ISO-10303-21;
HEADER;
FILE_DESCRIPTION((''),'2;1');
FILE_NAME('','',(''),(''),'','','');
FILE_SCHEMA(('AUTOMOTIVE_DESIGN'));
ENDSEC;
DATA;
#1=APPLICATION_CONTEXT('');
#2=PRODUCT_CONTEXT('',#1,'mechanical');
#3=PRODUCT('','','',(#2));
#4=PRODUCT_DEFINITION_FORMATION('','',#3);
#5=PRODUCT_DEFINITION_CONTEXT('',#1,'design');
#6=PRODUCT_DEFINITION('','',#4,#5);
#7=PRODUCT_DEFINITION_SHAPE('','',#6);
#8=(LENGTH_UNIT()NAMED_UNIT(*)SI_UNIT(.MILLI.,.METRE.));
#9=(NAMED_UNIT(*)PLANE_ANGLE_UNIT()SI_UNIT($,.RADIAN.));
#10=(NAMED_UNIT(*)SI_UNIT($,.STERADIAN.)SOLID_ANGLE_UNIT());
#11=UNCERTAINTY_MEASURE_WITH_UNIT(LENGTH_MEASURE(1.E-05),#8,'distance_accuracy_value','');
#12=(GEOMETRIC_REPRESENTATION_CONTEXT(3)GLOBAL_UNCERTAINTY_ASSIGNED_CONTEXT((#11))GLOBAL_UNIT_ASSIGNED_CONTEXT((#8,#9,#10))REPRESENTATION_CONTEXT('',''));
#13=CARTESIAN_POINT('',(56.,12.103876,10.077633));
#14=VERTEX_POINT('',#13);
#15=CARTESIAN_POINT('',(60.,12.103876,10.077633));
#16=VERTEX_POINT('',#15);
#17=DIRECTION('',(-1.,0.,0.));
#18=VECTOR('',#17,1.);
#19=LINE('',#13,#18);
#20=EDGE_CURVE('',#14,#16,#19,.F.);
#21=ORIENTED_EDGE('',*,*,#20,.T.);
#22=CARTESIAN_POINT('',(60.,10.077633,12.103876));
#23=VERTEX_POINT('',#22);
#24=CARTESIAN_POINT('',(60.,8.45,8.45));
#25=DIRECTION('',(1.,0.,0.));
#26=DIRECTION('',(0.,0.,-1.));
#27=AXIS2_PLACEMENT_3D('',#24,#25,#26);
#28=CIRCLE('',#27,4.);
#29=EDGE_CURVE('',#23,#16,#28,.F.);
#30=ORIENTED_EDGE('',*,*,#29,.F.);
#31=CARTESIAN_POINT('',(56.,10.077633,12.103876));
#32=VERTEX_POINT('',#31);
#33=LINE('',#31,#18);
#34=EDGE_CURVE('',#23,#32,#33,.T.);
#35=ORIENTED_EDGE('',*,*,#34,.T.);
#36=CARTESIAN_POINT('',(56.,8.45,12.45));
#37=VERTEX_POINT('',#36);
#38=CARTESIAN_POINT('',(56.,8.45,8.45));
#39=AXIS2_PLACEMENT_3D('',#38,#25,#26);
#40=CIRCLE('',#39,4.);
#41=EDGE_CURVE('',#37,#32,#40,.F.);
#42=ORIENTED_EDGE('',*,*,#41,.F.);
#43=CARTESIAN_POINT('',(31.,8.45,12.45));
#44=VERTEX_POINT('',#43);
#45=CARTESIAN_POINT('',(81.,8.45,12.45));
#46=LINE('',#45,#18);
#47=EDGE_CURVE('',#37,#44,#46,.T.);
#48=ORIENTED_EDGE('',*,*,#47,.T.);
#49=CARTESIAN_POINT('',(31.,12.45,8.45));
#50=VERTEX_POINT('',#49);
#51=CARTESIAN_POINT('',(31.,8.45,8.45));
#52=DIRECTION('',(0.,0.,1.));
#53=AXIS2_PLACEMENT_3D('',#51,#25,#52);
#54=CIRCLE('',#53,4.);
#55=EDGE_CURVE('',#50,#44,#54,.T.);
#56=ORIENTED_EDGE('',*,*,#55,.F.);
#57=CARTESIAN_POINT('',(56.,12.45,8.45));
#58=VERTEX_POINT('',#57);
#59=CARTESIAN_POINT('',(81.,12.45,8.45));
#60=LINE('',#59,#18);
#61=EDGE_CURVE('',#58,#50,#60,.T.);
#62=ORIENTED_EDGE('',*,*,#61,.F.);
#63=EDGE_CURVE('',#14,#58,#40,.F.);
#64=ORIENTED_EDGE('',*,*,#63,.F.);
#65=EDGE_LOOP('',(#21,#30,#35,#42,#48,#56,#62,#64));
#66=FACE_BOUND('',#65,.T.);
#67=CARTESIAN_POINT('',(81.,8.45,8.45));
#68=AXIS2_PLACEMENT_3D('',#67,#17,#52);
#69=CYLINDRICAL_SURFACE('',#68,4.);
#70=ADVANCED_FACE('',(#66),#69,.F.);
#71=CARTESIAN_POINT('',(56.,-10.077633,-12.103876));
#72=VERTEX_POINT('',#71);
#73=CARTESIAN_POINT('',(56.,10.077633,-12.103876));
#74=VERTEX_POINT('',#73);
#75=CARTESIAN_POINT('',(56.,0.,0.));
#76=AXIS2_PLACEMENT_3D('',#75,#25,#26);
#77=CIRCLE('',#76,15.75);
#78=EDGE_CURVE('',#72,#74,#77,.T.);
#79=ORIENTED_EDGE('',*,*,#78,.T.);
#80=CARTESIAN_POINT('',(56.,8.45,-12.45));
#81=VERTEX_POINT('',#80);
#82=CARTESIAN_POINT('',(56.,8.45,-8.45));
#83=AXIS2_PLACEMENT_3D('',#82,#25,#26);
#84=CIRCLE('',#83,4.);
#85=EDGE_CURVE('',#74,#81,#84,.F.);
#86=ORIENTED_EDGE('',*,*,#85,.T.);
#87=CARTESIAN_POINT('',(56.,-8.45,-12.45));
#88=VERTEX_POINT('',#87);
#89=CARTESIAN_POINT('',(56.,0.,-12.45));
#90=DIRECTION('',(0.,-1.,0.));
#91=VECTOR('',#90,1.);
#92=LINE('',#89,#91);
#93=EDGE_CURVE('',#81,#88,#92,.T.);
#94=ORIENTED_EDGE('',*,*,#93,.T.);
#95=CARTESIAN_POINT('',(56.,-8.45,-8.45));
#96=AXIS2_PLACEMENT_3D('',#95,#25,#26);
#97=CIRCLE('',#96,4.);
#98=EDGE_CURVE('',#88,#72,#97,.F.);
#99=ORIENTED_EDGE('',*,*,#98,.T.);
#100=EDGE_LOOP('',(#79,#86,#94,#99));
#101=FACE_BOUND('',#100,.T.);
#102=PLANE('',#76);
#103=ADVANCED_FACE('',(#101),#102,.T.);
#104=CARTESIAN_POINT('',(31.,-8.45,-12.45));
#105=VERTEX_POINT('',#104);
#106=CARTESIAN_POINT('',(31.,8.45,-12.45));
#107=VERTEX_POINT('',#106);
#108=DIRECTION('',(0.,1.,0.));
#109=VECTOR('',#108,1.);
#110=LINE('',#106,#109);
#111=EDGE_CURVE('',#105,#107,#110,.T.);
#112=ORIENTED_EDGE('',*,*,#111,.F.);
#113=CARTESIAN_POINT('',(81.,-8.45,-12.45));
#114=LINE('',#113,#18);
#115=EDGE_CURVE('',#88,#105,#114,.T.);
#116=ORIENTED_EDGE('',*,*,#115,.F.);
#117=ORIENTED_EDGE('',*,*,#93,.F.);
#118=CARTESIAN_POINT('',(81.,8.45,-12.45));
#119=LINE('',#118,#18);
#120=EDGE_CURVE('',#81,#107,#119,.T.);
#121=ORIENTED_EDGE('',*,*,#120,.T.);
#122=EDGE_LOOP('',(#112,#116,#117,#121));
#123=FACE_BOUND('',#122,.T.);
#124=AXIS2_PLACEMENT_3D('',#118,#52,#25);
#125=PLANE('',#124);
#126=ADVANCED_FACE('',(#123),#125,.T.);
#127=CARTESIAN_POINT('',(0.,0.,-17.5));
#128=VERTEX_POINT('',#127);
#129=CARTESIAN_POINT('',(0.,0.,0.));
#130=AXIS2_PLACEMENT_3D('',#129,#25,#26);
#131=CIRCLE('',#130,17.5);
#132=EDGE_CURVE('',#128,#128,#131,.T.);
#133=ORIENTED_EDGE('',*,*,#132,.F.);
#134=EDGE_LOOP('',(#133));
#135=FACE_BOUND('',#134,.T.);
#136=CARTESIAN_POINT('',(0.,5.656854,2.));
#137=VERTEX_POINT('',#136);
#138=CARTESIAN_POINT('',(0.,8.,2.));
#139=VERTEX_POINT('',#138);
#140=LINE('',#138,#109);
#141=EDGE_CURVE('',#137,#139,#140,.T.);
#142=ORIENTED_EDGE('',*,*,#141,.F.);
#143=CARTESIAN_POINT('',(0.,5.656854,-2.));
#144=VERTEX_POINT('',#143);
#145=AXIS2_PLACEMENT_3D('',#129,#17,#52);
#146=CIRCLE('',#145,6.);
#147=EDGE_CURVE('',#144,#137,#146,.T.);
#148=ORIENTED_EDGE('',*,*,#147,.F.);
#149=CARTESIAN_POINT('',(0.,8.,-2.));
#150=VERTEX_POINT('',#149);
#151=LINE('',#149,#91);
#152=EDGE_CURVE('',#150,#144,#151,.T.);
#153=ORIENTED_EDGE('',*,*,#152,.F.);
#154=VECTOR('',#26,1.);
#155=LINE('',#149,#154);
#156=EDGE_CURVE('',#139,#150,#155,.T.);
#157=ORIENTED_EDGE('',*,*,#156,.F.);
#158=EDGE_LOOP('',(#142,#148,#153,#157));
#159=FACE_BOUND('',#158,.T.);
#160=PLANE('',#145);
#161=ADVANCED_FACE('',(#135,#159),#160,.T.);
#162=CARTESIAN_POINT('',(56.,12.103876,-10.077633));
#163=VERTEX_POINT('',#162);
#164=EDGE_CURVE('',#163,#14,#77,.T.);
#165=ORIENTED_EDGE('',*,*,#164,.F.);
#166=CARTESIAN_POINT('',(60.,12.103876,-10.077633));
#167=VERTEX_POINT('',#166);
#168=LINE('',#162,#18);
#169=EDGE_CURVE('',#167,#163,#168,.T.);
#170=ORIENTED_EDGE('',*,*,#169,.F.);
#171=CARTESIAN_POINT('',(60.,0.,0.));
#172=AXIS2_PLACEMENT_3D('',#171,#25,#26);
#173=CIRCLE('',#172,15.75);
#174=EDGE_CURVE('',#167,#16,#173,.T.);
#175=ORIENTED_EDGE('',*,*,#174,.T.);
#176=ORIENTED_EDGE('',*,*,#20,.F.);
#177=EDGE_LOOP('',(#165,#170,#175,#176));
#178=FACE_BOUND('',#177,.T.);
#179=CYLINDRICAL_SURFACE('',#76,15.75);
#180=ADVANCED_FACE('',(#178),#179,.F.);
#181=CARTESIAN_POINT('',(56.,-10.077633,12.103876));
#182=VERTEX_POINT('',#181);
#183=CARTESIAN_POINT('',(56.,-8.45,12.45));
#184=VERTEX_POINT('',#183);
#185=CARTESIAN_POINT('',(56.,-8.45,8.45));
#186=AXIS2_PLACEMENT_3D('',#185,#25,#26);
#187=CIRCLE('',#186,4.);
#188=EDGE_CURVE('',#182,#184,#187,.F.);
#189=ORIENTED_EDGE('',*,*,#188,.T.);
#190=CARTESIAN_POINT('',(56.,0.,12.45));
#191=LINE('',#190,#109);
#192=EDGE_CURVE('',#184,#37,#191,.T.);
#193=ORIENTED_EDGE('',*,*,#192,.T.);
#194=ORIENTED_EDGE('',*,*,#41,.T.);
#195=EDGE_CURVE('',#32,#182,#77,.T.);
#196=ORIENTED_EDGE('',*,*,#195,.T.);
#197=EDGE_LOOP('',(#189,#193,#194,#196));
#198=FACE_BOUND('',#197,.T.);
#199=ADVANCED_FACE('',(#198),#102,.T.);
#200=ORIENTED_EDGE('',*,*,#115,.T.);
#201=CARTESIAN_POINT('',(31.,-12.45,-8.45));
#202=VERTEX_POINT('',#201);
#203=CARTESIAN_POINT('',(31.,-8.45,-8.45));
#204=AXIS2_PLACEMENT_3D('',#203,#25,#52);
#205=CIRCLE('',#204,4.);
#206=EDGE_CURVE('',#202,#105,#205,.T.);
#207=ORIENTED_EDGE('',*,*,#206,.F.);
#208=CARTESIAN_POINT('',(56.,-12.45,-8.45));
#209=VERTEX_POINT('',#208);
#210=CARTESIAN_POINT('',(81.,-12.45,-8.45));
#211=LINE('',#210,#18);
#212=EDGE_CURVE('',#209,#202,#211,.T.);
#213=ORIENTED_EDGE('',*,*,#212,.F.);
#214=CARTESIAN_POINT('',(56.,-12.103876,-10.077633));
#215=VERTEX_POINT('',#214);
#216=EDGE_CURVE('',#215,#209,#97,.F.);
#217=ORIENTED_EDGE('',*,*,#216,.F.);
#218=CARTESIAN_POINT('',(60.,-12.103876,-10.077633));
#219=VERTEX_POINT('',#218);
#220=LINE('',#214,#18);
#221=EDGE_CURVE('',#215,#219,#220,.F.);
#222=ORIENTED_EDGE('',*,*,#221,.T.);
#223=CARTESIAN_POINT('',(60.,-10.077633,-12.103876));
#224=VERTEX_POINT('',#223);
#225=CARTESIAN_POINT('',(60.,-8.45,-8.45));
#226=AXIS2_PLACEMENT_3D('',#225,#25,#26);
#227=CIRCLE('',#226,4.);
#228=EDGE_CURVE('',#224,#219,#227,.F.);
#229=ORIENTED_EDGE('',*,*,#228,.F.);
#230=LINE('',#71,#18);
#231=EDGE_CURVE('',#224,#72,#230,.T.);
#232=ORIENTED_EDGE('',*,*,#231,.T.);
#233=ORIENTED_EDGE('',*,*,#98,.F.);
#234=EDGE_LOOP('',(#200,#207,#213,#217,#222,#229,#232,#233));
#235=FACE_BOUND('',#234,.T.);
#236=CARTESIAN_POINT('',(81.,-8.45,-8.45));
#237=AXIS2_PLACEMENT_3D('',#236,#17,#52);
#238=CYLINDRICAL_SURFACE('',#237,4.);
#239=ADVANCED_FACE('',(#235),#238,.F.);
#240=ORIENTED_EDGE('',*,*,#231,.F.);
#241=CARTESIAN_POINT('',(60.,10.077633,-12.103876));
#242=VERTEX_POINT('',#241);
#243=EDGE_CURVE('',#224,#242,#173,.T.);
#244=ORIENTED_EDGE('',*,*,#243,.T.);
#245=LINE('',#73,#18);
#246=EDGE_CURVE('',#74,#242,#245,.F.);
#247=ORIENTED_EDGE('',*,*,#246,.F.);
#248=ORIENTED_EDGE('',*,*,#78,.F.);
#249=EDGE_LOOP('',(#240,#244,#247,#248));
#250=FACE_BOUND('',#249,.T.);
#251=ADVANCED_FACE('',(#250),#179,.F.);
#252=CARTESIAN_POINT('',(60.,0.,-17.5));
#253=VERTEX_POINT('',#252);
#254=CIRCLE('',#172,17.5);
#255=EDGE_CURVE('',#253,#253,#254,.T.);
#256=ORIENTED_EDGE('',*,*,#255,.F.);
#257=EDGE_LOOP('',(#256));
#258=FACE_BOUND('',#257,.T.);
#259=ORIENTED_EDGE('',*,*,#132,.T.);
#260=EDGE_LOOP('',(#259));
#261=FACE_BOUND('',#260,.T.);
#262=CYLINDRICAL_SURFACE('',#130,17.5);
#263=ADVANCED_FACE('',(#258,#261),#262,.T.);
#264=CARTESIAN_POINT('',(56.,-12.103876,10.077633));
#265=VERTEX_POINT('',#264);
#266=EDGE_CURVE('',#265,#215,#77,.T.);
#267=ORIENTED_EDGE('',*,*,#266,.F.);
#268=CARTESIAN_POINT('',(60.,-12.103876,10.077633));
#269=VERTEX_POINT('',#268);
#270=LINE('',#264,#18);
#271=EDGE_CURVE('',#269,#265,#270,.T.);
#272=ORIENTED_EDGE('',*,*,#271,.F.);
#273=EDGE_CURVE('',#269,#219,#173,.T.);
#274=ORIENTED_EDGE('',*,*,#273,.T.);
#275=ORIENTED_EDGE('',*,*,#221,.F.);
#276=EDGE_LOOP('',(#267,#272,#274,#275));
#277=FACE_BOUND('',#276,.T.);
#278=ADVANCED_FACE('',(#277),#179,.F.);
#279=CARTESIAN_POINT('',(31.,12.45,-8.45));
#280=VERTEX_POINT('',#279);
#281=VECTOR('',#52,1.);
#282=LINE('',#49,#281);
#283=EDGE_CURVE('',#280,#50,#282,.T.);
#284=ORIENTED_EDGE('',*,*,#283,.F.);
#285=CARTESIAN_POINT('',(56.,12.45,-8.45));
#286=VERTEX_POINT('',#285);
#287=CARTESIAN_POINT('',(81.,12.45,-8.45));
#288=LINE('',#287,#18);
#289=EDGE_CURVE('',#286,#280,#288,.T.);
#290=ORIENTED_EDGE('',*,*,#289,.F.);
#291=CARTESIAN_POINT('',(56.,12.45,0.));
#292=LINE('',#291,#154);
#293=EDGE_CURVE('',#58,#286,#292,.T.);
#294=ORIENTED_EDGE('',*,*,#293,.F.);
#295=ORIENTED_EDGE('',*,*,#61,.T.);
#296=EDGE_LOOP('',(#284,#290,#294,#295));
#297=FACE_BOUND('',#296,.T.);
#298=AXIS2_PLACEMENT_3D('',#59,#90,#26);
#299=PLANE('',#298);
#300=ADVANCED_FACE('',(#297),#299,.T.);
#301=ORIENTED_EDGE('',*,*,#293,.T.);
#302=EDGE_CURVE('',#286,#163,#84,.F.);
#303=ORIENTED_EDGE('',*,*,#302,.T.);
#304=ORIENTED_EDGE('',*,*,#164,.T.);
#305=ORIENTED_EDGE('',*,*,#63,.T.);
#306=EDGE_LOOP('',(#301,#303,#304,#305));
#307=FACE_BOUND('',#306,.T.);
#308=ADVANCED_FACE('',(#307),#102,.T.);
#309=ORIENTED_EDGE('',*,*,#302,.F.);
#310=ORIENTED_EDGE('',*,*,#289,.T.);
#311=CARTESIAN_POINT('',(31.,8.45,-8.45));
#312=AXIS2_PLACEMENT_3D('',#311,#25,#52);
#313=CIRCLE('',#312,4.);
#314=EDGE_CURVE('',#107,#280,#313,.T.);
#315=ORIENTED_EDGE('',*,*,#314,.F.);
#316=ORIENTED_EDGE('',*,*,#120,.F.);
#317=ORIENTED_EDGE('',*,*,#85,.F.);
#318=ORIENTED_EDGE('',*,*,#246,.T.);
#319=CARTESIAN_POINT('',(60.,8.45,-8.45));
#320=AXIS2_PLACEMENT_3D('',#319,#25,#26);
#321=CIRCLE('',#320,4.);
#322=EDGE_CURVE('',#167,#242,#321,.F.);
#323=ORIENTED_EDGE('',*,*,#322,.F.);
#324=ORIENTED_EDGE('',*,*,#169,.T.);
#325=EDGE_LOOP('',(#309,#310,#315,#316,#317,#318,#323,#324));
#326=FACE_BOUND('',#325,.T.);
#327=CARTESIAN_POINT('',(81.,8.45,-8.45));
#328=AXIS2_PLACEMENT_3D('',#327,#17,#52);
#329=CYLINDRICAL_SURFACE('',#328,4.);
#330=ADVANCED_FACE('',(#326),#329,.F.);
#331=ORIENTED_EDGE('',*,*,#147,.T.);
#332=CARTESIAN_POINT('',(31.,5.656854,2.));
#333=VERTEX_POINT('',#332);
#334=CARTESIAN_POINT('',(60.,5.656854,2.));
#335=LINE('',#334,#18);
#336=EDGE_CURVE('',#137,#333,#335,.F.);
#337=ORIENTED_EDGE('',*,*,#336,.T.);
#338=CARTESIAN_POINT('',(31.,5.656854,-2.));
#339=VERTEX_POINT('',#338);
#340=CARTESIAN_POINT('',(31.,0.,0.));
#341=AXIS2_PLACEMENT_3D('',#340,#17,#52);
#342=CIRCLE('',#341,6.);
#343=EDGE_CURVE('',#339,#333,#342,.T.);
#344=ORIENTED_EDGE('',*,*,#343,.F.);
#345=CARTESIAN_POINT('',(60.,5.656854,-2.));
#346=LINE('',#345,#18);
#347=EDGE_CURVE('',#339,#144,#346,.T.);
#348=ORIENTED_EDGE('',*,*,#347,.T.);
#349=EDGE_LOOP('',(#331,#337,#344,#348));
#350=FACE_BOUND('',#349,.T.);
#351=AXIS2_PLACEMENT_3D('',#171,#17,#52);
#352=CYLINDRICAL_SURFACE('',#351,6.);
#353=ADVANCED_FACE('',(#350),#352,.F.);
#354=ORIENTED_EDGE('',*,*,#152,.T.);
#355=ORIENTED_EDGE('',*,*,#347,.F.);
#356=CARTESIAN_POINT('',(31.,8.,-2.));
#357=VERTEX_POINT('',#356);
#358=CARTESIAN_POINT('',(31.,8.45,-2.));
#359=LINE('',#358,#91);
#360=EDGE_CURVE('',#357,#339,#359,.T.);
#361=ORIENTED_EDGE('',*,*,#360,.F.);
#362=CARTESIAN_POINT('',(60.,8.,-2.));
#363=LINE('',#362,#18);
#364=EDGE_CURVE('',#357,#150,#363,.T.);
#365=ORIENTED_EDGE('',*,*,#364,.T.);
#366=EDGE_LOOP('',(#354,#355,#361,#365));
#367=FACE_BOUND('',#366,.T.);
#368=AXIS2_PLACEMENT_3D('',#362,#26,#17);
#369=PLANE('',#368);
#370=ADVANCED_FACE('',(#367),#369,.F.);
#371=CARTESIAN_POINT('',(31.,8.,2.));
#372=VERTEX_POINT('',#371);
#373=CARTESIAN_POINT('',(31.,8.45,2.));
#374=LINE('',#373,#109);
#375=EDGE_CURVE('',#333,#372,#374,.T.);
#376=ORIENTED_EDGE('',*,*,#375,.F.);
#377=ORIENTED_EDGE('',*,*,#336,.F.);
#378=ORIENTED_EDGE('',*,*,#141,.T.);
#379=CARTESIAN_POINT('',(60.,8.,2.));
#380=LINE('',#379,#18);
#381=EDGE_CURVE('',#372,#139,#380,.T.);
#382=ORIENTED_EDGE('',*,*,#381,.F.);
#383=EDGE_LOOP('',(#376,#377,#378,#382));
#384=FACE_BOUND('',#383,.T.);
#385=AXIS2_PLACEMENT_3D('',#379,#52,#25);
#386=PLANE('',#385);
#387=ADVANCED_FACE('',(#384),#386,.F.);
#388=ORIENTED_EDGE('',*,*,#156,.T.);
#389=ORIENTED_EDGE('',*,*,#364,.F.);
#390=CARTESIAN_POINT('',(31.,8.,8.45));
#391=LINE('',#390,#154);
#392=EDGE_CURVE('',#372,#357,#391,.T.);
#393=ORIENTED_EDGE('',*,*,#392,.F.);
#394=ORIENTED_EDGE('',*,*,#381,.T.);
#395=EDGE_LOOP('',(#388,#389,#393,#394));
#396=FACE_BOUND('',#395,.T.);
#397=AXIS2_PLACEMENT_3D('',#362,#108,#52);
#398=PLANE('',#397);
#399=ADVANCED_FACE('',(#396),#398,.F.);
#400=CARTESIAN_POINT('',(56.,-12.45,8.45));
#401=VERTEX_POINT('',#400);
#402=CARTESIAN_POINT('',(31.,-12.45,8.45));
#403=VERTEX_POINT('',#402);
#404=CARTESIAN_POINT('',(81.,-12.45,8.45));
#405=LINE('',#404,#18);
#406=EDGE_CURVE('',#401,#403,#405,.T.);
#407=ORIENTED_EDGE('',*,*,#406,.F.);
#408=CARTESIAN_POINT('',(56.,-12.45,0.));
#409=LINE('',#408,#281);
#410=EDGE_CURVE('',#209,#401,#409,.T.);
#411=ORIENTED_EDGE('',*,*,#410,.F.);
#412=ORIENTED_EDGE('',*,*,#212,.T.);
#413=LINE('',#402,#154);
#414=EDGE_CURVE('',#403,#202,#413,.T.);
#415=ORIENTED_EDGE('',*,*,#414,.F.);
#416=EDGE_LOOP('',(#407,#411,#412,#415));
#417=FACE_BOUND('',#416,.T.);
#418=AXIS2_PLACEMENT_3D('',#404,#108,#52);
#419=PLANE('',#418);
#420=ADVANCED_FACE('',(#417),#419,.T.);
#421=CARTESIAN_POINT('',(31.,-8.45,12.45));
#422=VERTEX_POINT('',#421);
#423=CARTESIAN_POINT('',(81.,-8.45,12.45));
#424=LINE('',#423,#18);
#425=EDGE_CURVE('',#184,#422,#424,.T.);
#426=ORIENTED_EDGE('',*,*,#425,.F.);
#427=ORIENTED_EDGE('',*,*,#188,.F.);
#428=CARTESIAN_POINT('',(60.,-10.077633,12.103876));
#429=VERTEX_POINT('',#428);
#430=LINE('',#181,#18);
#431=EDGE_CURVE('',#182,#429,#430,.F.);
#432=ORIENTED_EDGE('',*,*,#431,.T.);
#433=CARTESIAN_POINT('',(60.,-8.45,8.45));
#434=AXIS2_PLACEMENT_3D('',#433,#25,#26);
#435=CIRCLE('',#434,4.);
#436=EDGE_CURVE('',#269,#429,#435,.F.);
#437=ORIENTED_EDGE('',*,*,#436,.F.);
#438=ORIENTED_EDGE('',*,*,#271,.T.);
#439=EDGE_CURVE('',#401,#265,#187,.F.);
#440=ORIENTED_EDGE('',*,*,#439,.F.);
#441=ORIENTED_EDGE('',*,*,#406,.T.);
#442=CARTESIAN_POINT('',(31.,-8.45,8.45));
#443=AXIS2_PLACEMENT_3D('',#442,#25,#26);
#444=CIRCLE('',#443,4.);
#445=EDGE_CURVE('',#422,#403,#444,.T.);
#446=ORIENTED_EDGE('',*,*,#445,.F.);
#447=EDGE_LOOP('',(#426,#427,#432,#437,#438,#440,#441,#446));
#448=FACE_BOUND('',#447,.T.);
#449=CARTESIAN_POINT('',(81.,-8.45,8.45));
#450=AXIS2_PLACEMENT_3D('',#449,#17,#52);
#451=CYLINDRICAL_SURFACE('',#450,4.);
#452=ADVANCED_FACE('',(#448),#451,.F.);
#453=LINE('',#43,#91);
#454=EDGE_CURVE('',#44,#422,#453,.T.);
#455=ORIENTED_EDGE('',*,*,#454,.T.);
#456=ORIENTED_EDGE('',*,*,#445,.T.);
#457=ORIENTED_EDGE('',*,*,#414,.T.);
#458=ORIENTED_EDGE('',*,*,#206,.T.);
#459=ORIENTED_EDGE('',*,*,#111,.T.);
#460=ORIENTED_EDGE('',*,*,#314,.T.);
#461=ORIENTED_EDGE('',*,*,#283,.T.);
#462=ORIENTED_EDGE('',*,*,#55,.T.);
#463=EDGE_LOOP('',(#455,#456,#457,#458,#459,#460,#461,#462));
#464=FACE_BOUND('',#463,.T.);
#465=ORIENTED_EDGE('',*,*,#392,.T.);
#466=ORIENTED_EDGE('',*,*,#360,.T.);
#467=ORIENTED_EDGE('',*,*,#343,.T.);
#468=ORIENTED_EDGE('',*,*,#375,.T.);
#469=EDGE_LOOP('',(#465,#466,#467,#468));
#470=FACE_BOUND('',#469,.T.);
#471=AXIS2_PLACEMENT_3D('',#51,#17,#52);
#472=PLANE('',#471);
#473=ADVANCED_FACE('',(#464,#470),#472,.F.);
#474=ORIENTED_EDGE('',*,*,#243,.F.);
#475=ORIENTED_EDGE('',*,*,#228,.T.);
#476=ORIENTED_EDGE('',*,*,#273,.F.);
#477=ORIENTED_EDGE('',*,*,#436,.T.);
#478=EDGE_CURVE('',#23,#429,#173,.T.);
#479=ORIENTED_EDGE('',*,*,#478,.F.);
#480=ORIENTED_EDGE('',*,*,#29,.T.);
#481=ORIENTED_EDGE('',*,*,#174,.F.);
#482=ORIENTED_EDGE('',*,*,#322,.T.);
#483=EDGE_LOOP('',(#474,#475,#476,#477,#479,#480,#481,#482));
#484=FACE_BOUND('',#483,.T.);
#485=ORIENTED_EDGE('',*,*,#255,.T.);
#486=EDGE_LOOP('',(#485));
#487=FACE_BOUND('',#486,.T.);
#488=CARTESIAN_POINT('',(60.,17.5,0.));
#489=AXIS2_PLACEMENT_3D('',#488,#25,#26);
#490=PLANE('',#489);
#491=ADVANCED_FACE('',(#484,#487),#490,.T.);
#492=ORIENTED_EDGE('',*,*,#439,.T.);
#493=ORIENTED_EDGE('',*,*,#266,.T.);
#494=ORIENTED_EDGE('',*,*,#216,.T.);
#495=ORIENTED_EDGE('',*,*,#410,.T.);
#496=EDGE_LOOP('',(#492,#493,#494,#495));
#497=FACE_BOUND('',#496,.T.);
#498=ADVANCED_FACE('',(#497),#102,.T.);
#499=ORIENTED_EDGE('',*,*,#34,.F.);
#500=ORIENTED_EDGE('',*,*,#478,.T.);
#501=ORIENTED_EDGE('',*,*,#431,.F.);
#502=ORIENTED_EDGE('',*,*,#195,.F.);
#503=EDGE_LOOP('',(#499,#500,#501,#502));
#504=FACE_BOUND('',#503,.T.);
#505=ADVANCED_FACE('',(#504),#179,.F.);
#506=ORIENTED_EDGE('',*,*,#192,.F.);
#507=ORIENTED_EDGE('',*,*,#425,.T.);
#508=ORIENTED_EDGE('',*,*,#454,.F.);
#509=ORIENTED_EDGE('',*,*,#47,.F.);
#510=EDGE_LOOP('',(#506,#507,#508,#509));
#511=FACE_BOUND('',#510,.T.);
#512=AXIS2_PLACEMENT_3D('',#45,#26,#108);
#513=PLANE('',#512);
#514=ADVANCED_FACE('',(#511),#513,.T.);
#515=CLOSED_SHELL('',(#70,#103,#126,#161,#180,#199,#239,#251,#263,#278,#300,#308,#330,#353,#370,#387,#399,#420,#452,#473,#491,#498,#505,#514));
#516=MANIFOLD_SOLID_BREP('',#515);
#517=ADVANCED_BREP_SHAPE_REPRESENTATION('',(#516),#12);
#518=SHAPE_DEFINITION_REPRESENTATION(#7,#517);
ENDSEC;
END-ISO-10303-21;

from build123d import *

# Parameters (mm, degrees)
SKETCH1_W               = 60
SKETCH1_H               = 17.5
SKETCH3_R               = 15.75
CUT_EXTRUDE1_DEPTH      = 4
CUT_EXTRUDE2_DEPTH      = 25
CUT_EXTRUDE2_DEPTH_BACK = 25
SKETCH5_R               = 6
CUT_EXTRUDE3_DEPTH      = 65.903774929
SKETCH6_W               = 4
SKETCH6_H               = 4
CUT_EXTRUDE5_DEPTH      = 65.903774929


with BuildPart() as part:
    # Sketch1 → Revolve1 (revolve)
    with BuildSketch(Plane.XY, mode=Mode.PRIVATE) as revolve1_sk:
        with Locations((30, 8.75)):
            Rectangle(SKETCH1_W, SKETCH1_H)
    revolve(revolve1_sk.sketch.rotate(Axis((0, 0, 0), (-1, 0, 0)), 90), axis=Axis((0, 0, 0), (-1, 0, 0)))

    # Sketch3 → Cut-Extrude1 (cut)
    with BuildSketch(Plane(origin=(60, 0, 0), x_dir=(0, 0, -1), z_dir=(1, 0, 0))):
        Circle(SKETCH3_R)
    extrude(amount=-CUT_EXTRUDE1_DEPTH, mode=Mode.SUBTRACT)

    # Sketch4 → Cut-Extrude2 (cut, two sides: drawn at the far end of the back side and taken through both)
    with BuildSketch(Plane(origin=(56, 0, 0), x_dir=(0, 0, -1), z_dir=(1, 0, 0)).offset(-CUT_EXTRUDE2_DEPTH_BACK)):
        with BuildLine():
            Line((-8.45, 12.45), (8.45, 12.45))
            ThreePointArc((8.45, 12.45), (11.278427125, 11.278427125), (12.45, 8.45))
            Line((12.45, 8.45), (12.45, -8.45))
            ThreePointArc((12.45, -8.45), (11.278427125, -11.278427125), (8.45, -12.45))
            Line((8.45, -12.45), (-8.45, -12.45))
            ThreePointArc((-8.45, -12.45), (-11.278427125, -11.278427125), (-12.45, -8.45))
            Line((-12.45, -8.45), (-12.45, 8.45))
            ThreePointArc((-12.45, 8.45), (-11.278427125, 11.278427125), (-8.45, 12.45))
        make_face()
    extrude(amount=CUT_EXTRUDE2_DEPTH + CUT_EXTRUDE2_DEPTH_BACK, mode=Mode.SUBTRACT)

    # Sketch5 → Cut-Extrude3 (cut, through all)
    with BuildSketch(Plane.ZY):
        Circle(SKETCH5_R)
    extrude(amount=-CUT_EXTRUDE3_DEPTH, mode=Mode.SUBTRACT)

    # Sketch6 → Cut-Extrude5 (cut, through all)
    with BuildSketch(Plane.ZY):
        with Locations((0, 6)):
            Rectangle(SKETCH6_W, SKETCH6_H)
    extrude(amount=-CUT_EXTRUDE5_DEPTH, mode=Mode.SUBTRACT)


solid = part.part
